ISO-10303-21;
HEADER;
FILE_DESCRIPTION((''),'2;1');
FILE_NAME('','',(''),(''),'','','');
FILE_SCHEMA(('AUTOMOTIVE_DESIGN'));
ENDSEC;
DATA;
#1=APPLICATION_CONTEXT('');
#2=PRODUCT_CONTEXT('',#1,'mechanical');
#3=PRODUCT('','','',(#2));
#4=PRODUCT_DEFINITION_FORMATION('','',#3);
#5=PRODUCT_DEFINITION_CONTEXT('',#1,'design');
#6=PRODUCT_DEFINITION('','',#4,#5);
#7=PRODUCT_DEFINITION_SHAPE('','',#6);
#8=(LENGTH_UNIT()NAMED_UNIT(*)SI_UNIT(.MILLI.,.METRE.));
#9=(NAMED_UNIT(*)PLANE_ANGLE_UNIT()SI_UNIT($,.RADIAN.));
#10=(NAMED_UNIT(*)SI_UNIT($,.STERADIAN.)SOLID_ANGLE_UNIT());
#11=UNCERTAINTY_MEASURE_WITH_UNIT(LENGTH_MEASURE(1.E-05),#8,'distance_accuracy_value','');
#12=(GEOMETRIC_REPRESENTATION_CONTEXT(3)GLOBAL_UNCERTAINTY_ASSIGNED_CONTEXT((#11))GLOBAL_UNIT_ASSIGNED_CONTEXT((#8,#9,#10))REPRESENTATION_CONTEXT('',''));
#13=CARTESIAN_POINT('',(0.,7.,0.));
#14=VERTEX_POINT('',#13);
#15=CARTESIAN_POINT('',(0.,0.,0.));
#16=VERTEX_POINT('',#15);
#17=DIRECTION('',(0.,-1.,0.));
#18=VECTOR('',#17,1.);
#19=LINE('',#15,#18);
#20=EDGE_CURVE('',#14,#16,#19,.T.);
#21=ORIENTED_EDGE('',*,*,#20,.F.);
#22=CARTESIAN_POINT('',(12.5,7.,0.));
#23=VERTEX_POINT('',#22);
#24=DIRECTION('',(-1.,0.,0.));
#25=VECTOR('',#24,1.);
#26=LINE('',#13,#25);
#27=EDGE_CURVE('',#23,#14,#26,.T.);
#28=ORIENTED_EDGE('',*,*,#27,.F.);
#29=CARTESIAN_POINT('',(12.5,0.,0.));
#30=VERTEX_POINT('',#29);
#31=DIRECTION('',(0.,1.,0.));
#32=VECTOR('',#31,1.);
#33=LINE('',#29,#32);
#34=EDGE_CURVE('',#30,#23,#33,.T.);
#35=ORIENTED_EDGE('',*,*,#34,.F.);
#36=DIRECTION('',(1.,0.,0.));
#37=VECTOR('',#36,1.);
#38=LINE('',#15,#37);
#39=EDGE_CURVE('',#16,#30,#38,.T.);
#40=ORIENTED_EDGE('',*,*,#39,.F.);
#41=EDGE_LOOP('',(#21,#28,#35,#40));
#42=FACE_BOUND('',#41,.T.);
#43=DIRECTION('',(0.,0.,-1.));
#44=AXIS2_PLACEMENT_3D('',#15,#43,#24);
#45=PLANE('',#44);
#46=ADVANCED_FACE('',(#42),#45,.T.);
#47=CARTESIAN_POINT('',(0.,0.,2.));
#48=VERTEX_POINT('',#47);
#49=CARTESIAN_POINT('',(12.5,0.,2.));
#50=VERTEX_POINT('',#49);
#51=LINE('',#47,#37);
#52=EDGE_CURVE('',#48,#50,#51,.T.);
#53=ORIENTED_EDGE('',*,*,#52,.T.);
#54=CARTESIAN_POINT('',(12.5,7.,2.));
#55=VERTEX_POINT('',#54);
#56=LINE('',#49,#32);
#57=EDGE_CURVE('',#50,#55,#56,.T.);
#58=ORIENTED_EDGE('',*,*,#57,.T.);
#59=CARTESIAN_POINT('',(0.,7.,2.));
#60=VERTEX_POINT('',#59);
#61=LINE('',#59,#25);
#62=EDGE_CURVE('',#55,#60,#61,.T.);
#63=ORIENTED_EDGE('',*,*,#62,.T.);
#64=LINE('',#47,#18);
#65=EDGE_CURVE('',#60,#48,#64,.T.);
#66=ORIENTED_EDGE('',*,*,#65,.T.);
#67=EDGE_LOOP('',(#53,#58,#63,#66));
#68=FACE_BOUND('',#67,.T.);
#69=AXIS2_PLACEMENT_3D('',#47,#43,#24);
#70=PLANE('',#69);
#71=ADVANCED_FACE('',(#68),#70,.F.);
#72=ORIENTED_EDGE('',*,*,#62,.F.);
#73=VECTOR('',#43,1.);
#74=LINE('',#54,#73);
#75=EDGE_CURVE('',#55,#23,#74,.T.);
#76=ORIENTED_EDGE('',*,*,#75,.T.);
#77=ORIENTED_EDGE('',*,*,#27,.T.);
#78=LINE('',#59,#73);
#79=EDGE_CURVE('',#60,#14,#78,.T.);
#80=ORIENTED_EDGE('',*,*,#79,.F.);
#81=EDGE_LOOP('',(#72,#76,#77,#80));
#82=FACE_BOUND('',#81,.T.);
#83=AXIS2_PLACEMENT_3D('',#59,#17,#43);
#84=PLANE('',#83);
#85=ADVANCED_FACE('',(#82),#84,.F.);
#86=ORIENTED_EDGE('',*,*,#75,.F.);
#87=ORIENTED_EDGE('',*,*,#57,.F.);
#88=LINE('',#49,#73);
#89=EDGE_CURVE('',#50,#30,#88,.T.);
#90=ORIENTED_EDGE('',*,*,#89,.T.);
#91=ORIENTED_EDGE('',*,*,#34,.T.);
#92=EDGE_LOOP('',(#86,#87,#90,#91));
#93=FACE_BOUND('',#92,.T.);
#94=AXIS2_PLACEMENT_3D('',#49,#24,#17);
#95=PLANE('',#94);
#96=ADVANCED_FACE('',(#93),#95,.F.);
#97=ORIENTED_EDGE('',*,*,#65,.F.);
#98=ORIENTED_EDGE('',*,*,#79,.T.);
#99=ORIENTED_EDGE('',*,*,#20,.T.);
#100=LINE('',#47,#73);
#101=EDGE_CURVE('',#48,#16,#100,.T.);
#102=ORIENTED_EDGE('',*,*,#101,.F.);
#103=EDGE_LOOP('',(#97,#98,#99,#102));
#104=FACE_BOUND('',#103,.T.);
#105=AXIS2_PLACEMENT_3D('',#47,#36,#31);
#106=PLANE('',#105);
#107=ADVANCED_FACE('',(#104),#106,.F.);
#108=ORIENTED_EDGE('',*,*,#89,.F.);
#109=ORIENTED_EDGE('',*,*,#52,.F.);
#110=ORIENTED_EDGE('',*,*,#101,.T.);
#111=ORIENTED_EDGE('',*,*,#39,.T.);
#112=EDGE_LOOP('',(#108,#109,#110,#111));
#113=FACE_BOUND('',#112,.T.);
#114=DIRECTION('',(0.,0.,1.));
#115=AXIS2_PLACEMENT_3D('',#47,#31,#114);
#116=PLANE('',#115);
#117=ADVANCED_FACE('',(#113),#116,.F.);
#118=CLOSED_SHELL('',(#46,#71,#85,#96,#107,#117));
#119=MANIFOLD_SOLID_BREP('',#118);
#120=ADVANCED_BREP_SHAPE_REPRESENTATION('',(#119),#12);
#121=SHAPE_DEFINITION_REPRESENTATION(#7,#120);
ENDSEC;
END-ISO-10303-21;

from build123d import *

# Parameters (mm, degrees)
SKETCH_1_W      = 12.5
SKETCH_1_H      = 7
EXTRUDE_1_DEPTH = 2


with BuildPart() as part:
    # Эскиз1 → Бобышка-Вытянуть1 (new body)
    with BuildSketch(Plane.XY):
        with Locations((6.25, 3.5)):
            Rectangle(SKETCH_1_W, SKETCH_1_H)
    extrude(amount=EXTRUDE_1_DEPTH)


solid = part.part
